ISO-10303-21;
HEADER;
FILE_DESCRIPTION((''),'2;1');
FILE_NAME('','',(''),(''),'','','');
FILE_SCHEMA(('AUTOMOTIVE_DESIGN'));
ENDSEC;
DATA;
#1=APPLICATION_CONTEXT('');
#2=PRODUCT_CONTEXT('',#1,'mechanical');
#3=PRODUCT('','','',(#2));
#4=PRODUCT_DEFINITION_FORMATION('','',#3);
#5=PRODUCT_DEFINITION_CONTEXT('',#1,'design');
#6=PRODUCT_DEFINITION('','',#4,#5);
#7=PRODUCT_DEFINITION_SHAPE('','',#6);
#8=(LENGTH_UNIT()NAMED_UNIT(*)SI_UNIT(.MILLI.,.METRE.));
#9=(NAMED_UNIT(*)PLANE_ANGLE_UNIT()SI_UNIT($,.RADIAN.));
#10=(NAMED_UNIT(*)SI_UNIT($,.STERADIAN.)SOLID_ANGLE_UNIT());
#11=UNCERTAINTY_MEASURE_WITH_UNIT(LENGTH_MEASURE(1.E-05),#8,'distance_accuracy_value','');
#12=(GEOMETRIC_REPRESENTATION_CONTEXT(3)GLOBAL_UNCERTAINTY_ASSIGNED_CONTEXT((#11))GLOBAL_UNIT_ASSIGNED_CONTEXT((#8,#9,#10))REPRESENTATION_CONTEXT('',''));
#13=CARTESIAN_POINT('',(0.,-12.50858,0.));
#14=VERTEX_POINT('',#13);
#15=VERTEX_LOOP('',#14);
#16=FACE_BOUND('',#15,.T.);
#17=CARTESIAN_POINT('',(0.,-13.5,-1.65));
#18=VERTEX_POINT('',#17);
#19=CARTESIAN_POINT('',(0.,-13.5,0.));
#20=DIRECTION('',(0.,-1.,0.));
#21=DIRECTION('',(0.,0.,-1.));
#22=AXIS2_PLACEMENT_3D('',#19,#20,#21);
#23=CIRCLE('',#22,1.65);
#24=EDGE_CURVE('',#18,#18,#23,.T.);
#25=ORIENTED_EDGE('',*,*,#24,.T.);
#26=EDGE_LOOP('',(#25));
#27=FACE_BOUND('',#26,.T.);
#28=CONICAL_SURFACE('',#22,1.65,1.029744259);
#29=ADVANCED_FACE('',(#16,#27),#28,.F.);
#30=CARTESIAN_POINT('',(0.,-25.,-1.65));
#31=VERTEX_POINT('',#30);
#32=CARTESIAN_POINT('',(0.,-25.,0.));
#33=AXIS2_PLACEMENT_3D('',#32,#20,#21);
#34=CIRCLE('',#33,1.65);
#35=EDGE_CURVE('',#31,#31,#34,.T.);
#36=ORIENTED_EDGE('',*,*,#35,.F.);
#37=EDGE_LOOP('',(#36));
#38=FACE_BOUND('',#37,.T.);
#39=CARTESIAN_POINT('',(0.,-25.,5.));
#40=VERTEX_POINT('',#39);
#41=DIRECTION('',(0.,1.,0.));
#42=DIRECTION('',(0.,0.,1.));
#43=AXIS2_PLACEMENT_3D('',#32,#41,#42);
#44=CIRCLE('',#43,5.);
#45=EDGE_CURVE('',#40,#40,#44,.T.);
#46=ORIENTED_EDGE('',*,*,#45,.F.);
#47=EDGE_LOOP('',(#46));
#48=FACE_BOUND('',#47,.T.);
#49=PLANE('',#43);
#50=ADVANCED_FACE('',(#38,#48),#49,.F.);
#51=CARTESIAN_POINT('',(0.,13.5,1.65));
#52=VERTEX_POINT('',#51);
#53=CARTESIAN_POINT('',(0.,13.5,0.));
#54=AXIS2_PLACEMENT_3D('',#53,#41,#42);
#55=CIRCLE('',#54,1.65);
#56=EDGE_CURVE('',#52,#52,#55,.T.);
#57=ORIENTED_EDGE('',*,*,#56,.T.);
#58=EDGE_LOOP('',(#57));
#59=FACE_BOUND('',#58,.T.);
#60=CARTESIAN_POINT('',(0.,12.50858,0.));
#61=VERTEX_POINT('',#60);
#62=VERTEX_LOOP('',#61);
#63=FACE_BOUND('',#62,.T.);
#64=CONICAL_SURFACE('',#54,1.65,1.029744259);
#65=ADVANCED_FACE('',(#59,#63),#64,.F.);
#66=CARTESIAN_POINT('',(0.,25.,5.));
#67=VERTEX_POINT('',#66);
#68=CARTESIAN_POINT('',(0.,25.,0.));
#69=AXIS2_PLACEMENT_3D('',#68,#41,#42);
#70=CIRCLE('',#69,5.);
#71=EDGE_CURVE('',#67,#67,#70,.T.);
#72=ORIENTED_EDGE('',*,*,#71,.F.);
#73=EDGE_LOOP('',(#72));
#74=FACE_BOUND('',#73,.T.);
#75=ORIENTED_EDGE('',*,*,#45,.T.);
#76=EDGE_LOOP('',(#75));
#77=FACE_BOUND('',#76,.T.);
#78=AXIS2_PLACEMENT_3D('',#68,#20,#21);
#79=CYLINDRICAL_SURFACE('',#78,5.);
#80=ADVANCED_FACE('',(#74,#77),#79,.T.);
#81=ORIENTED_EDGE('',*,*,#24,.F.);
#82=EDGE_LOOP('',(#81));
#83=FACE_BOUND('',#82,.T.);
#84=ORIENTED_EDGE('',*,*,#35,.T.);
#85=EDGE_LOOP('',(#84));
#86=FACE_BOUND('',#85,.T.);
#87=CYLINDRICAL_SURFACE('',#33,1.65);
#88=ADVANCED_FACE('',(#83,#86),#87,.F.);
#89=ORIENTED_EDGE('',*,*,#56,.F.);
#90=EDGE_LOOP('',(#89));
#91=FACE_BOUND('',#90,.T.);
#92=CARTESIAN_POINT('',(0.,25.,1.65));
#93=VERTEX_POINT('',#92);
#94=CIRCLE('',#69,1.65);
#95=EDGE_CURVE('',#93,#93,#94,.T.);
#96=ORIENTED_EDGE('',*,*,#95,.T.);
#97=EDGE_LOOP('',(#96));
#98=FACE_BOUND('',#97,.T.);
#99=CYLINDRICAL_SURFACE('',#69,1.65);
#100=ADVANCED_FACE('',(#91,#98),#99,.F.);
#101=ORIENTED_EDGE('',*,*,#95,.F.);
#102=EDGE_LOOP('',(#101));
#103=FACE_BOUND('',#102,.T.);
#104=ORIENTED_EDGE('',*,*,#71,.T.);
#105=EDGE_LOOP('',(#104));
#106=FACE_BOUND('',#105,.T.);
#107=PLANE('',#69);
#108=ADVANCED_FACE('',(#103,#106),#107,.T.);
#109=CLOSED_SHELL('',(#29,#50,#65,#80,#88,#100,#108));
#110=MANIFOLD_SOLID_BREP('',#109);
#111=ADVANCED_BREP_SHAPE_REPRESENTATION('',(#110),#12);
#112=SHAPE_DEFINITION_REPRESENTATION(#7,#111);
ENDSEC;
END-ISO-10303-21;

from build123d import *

# Parameters (mm, degrees)
SKETCH_1_R      = 5
EXTRUDE_1_DEPTH = 25


with BuildPart() as part:
    # 草图1 → 凸台-拉伸1 (new, symmetric)
    with BuildSketch(Plane(origin=(0, 0, 0), x_dir=(1, 0, 0), z_dir=(0, 1, 0))):
        with Locations(Location((0, 0, 0), (0, 0, 270))):
            Circle(SKETCH_1_R)
    extrude(amount=EXTRUDE_1_DEPTH, both=True)

    # 草图4 → M4 螺纹孔1 (revolve, cut)
    with BuildSketch(Plane(origin=(0, 25, 0), x_dir=(0, 0, 1), z_dir=(1, 0, 0))):
        Polygon((0, 0), (0, 12.491420021), (1.65, 11.5), (1.65, 0), align=None)
    hole_wizard_m4_1 = revolve(axis=Axis((0, 31.35, 0), (0, -1, 0)), mode=Mode.SUBTRACT)

    # 镜向1: M4 螺纹孔1 across plane
    add(hole_wizard_m4_1.mirror(Plane.ZX), mode=Mode.SUBTRACT)


solid = part.part
